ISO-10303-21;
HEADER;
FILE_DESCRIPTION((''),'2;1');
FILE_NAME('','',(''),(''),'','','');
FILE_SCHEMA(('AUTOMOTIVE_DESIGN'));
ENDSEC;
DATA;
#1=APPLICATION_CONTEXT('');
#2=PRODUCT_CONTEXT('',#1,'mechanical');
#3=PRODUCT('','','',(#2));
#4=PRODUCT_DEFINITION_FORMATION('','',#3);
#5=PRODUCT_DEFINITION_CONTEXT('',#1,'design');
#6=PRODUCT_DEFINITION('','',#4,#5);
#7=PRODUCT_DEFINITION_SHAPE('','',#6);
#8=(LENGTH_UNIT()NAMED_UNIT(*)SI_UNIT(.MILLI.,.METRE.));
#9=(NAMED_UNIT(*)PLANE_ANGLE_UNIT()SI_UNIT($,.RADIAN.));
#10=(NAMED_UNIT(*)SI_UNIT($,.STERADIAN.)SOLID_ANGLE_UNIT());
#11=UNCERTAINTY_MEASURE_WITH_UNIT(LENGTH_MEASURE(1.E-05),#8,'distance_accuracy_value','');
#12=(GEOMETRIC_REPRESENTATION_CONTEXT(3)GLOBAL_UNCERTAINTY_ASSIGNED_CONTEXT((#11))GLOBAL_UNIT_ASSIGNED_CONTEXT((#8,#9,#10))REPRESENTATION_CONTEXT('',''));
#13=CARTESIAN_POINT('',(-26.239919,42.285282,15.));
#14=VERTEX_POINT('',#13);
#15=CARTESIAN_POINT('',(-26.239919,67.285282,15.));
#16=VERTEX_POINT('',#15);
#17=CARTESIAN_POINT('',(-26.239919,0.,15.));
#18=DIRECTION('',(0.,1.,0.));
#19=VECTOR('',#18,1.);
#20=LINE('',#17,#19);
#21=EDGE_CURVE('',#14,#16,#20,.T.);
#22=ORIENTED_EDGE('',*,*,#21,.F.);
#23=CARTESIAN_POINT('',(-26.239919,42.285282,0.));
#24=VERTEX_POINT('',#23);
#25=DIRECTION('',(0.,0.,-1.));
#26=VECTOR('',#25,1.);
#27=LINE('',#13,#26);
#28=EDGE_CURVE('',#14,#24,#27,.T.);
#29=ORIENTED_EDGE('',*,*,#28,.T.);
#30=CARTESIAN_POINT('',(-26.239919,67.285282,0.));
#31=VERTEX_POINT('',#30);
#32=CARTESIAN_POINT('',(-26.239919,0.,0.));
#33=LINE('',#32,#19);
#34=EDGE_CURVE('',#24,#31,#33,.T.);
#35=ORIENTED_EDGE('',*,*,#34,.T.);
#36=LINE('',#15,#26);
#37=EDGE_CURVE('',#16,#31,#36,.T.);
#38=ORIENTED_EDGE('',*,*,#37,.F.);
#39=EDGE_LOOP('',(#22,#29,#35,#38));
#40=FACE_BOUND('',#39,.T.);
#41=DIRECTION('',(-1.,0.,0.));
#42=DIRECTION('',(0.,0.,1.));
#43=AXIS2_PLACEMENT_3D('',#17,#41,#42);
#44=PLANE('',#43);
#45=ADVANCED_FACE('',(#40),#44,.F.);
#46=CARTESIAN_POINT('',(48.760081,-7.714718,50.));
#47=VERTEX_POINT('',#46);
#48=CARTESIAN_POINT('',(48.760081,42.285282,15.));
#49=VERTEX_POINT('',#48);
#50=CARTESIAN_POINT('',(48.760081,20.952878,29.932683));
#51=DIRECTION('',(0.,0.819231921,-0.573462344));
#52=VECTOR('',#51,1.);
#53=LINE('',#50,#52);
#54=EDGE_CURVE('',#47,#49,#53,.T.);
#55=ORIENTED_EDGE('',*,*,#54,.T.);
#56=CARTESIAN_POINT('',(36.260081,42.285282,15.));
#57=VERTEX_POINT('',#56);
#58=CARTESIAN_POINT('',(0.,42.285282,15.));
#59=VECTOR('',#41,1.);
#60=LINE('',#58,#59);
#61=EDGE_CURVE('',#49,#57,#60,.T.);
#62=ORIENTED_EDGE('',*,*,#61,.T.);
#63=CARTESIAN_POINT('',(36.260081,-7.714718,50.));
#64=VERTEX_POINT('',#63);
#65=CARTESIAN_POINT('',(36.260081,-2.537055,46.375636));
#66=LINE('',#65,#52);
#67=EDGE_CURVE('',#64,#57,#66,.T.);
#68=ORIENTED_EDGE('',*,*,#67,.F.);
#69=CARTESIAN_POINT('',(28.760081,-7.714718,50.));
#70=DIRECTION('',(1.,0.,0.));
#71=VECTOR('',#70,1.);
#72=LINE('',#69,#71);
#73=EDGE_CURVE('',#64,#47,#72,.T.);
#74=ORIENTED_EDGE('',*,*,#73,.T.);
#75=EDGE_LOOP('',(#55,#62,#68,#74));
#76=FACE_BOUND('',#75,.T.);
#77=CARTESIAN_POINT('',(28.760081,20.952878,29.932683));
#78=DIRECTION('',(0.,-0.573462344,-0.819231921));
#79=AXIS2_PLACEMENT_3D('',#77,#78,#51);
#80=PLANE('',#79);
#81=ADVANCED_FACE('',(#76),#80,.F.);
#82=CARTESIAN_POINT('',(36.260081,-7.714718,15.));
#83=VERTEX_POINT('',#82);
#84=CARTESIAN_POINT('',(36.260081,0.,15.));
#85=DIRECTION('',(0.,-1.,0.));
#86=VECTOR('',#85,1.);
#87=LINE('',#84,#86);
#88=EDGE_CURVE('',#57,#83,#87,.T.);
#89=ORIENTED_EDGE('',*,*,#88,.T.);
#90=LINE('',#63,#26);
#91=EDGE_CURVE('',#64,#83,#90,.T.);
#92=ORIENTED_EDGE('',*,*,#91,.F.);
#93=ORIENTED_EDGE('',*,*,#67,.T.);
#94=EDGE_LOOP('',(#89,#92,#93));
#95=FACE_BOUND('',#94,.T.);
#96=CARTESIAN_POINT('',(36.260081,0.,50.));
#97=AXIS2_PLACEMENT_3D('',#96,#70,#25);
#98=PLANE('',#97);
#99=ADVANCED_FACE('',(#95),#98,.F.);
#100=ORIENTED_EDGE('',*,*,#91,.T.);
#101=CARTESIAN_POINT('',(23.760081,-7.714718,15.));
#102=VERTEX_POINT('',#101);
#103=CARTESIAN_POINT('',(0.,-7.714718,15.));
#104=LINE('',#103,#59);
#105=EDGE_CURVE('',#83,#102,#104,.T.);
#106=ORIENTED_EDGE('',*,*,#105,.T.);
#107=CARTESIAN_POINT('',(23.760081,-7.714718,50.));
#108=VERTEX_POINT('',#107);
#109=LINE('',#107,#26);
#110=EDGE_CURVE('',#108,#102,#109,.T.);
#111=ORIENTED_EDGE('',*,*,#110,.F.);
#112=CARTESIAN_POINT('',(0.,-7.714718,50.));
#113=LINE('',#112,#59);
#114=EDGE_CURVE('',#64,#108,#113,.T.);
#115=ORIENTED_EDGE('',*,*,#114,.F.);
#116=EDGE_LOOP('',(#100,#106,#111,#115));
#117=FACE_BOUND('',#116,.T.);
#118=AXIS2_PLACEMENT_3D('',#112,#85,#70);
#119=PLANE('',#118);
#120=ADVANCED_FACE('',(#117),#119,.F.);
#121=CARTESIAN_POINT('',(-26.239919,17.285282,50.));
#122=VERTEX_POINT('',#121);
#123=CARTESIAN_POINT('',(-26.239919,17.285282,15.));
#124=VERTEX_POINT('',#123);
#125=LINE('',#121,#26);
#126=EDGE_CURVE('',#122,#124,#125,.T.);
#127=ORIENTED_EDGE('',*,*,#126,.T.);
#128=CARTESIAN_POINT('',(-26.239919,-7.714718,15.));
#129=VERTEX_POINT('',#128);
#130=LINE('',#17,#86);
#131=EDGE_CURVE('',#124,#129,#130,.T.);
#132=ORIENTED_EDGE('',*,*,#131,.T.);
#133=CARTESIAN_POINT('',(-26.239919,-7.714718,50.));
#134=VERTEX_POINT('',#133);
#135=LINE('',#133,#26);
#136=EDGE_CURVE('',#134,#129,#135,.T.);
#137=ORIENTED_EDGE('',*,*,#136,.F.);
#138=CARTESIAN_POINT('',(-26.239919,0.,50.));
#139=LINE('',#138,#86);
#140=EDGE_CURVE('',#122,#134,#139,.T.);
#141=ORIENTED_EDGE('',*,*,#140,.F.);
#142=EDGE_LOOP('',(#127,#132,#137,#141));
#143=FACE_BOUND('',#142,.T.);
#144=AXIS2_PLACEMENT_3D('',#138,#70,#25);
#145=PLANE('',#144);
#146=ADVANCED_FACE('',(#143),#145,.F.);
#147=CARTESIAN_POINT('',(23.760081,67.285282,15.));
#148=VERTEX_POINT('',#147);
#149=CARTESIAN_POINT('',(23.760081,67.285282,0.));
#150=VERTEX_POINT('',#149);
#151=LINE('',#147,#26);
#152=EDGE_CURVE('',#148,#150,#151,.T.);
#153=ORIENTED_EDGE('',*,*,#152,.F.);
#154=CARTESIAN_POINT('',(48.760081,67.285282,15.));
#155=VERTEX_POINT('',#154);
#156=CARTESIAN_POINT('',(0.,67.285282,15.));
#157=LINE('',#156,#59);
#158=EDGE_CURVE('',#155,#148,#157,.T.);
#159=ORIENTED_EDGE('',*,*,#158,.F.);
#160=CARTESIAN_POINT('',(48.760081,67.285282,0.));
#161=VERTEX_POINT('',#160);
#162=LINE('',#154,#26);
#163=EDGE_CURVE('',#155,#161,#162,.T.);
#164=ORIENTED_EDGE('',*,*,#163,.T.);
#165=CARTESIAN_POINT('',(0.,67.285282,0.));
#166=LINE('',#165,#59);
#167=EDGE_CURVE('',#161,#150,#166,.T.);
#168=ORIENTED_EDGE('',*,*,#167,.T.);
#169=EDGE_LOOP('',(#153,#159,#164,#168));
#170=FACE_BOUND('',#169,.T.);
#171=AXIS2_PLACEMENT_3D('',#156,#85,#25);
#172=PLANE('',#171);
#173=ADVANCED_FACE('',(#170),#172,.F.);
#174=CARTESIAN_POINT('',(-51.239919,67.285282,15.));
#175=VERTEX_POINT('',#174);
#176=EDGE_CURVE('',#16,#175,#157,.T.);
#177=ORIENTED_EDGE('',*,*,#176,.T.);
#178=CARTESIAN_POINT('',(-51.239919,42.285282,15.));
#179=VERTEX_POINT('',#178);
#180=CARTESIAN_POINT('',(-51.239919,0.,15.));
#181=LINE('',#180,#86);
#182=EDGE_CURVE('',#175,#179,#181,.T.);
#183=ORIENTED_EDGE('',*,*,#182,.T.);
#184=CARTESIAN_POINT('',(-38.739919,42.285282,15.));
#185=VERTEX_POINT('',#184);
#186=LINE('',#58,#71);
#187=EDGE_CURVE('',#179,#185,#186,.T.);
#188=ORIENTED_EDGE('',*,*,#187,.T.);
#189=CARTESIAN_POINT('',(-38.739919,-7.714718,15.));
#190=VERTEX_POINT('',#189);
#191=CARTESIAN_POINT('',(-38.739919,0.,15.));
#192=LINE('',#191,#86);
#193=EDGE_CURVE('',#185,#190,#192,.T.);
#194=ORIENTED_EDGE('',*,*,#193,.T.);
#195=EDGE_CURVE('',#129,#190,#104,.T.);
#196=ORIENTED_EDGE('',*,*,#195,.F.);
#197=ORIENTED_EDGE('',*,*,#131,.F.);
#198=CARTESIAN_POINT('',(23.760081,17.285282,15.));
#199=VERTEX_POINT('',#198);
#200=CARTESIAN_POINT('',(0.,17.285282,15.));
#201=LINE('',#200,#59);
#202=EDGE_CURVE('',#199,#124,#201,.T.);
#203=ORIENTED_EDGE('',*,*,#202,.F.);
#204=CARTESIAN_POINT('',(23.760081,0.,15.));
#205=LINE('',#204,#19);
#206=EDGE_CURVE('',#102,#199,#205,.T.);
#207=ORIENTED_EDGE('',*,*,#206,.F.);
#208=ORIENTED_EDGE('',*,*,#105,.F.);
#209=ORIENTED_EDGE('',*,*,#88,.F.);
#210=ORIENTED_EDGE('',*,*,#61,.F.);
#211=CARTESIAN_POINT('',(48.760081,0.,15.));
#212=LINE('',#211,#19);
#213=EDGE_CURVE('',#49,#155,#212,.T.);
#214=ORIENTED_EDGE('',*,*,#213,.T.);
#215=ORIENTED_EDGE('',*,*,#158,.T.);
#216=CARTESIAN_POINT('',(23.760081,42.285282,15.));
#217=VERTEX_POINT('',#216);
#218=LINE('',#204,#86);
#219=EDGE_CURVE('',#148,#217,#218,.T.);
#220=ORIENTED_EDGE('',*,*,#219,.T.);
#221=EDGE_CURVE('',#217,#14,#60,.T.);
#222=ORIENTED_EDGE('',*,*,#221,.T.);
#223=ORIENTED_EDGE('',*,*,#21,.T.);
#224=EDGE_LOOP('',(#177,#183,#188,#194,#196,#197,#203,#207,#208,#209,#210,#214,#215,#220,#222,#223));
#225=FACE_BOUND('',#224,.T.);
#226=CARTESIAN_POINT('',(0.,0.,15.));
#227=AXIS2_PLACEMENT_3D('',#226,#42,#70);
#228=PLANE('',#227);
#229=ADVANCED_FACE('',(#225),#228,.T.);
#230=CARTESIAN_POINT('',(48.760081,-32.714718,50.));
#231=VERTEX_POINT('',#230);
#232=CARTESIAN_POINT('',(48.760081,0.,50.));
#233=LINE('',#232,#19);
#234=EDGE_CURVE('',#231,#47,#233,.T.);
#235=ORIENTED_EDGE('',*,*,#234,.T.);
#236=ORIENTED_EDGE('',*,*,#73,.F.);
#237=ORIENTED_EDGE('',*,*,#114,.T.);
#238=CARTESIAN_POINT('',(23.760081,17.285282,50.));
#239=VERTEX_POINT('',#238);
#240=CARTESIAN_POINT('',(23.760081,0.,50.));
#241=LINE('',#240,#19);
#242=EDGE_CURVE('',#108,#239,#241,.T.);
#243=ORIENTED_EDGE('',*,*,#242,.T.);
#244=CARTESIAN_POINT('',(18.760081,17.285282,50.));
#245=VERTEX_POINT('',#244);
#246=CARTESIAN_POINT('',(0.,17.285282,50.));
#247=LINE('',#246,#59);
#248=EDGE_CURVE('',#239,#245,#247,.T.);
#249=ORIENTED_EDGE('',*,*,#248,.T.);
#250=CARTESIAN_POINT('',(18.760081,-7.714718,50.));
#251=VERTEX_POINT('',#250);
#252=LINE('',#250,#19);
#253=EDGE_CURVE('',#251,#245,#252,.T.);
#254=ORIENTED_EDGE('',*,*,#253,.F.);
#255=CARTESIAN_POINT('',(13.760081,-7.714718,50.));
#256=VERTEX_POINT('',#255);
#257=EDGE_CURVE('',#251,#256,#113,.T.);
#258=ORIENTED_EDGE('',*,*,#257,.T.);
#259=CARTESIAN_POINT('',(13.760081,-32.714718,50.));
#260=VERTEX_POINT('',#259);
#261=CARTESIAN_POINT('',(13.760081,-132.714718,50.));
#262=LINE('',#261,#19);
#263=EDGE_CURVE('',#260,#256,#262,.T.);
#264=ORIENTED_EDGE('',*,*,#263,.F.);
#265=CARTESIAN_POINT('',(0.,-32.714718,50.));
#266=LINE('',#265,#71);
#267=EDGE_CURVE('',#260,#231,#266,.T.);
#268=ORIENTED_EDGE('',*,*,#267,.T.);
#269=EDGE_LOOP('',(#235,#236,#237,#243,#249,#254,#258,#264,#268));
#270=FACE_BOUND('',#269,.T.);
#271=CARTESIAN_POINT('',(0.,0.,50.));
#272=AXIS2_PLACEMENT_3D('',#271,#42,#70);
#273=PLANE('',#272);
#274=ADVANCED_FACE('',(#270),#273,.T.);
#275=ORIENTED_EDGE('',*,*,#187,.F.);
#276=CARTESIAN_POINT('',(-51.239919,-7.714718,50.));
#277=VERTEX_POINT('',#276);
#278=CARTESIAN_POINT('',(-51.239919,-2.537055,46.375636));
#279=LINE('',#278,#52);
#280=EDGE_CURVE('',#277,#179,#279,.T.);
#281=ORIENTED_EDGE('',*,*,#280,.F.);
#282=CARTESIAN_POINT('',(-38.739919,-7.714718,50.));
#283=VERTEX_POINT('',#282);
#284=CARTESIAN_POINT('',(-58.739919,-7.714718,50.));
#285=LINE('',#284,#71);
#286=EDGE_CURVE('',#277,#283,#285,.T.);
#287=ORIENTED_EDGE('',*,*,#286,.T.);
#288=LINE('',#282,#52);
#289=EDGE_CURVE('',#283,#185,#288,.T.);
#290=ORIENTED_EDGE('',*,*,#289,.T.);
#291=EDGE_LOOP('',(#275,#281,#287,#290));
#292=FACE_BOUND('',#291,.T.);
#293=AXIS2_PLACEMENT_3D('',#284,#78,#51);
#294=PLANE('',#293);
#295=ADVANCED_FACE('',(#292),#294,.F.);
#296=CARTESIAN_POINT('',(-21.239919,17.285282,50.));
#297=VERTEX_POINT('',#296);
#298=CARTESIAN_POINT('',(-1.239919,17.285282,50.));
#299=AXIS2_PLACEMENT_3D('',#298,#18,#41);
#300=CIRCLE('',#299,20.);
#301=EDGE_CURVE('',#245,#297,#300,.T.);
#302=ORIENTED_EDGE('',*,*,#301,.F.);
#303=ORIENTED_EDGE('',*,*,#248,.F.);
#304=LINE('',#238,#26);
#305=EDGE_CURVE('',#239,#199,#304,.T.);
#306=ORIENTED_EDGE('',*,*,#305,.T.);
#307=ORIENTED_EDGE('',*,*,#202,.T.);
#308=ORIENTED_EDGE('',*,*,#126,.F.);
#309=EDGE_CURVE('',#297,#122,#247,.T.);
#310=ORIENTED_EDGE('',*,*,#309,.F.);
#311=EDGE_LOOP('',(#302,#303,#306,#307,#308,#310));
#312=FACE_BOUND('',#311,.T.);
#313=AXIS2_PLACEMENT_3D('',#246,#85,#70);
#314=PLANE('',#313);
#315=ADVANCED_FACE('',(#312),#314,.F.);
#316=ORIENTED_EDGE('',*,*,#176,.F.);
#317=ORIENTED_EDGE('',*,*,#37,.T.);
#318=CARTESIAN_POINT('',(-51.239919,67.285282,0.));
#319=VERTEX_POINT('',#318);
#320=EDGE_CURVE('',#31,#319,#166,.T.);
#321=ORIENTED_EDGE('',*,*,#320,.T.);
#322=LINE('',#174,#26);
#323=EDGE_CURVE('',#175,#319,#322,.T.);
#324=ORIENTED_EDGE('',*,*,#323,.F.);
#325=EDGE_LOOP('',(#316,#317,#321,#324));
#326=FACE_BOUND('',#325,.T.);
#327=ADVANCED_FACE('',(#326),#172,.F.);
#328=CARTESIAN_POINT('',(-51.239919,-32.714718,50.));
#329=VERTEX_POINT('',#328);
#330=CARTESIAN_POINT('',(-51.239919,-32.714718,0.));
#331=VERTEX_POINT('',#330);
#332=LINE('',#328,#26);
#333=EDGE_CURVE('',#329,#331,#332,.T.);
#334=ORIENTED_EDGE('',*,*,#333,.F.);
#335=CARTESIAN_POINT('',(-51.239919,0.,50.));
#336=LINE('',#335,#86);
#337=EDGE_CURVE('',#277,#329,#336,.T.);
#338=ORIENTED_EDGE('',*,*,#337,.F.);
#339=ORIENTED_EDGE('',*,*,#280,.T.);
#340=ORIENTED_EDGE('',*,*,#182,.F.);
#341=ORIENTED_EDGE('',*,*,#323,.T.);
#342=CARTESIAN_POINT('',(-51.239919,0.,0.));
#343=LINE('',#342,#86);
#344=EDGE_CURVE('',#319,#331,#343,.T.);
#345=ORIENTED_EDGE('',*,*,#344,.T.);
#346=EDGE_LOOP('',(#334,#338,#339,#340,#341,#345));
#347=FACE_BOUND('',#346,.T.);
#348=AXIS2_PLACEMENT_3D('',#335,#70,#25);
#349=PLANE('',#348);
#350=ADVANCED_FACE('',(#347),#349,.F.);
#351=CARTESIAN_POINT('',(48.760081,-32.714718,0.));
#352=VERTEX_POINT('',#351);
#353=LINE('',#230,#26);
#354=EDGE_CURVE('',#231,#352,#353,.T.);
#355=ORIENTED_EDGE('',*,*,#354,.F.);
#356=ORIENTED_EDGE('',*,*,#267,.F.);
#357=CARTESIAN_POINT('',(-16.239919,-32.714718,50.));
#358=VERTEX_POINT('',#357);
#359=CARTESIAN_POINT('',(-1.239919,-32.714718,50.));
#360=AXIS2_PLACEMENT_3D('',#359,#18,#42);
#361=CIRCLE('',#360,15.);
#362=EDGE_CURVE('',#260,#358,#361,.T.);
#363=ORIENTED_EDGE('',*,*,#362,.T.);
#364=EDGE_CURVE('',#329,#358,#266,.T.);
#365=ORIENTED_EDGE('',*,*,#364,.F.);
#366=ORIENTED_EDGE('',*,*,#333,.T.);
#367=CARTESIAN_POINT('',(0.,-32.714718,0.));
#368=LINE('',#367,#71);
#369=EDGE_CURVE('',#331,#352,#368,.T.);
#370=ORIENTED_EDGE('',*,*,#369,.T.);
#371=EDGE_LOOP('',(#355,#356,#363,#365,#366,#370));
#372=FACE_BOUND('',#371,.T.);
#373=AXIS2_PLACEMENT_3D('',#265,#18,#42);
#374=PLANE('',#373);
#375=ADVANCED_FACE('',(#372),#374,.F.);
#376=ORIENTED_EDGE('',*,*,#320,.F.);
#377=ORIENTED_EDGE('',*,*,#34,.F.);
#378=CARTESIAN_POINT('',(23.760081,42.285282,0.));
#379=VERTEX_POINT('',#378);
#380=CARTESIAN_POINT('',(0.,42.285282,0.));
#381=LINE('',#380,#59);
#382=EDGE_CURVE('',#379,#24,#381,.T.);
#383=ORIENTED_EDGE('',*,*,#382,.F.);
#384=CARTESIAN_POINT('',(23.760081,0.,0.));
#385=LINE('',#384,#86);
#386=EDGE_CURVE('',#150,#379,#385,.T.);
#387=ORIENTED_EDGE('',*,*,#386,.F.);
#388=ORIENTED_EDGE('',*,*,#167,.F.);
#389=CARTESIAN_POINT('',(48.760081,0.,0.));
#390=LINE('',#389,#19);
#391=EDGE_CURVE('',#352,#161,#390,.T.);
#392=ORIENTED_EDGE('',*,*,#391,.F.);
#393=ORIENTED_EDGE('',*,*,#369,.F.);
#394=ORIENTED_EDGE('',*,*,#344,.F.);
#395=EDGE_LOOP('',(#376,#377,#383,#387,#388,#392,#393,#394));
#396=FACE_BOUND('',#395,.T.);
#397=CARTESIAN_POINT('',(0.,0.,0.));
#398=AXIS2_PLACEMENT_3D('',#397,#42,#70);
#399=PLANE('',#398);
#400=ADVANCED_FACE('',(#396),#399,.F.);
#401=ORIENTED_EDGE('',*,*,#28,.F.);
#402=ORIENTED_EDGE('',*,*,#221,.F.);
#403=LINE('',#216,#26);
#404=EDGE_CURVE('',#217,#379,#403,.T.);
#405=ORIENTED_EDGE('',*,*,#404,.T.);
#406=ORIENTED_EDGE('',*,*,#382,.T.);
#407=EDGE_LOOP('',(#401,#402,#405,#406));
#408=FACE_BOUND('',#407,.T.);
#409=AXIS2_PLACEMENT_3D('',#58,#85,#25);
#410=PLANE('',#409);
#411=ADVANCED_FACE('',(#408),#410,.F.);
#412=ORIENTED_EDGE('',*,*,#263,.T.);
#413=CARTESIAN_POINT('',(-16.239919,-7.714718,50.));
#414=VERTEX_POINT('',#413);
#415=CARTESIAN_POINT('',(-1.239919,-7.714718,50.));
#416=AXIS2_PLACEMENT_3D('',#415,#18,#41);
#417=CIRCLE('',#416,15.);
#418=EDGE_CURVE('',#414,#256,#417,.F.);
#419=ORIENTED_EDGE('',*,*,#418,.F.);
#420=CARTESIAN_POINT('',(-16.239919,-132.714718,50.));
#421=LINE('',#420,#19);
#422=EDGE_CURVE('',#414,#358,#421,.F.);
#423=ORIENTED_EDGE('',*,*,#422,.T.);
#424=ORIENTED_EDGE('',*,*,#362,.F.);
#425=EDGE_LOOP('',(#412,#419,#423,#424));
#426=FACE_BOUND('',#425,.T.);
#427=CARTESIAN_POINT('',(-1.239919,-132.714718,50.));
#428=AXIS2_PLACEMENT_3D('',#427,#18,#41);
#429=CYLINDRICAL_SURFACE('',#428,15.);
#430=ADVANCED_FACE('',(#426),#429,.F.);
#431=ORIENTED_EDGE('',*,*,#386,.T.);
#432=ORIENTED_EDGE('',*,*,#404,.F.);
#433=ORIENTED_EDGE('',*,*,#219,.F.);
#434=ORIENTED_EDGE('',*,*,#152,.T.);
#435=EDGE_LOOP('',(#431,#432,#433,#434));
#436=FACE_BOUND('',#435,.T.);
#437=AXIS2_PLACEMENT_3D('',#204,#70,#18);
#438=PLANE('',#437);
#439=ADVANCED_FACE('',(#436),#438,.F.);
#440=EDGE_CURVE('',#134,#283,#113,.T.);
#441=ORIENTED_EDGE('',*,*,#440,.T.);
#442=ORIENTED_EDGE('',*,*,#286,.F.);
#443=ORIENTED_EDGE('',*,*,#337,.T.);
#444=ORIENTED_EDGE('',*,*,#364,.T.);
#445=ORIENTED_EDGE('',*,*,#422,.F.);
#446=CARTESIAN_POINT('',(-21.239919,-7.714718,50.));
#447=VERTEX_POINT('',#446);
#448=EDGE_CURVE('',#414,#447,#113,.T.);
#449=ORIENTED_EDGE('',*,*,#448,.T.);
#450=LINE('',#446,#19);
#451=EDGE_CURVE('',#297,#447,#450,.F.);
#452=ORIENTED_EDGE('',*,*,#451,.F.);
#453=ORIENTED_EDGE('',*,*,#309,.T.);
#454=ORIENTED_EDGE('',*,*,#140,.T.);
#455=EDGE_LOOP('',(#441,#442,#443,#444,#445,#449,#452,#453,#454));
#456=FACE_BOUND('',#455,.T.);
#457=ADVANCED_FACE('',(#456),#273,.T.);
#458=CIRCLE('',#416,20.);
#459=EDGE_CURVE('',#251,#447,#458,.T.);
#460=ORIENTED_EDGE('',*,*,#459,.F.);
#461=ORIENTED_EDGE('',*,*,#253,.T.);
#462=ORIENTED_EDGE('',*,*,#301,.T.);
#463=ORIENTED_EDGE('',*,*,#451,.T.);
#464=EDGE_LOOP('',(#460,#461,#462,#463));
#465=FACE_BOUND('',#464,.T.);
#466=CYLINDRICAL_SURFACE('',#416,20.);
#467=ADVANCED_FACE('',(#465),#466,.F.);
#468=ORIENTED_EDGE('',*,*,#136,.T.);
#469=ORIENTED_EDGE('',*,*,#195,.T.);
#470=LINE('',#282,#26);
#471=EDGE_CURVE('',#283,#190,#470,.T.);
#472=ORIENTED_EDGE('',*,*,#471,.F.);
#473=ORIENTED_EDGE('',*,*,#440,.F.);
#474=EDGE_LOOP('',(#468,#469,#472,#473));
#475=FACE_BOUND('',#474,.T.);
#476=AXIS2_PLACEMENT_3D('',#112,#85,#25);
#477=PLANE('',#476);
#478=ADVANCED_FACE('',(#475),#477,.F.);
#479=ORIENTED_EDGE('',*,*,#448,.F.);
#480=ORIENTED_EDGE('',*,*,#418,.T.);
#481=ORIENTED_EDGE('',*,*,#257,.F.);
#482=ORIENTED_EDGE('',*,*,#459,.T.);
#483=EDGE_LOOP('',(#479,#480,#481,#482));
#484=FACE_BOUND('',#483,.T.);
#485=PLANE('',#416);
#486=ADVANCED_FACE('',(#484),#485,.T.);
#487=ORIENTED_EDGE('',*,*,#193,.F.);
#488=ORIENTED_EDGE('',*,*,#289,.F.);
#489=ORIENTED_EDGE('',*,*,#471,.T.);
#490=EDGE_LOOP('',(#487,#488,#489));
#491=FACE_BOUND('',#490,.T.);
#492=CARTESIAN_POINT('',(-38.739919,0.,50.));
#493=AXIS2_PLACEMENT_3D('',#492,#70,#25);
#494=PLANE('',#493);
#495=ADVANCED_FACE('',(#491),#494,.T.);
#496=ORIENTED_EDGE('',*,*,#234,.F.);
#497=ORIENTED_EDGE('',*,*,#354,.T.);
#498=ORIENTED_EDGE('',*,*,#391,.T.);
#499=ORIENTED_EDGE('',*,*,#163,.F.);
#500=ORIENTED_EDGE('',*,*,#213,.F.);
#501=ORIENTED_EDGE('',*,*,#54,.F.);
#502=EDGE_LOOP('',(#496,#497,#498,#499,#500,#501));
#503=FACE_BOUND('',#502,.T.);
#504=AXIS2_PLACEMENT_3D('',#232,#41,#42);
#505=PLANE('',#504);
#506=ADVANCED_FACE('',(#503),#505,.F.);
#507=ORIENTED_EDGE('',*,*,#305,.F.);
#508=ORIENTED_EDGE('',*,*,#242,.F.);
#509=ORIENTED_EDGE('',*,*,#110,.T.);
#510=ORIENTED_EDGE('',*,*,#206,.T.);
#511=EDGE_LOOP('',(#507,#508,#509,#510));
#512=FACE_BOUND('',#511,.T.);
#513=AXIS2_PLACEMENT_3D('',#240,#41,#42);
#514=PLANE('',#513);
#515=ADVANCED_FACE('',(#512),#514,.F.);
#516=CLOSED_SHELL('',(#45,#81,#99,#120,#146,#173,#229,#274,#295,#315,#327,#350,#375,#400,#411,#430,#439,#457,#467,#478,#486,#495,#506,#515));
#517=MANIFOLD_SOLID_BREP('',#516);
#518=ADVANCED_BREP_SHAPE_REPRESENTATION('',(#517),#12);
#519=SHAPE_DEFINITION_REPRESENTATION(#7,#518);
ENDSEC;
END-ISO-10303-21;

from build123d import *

# Parameters (mm, degrees)
BOSS_EXTRUDE1_DEPTH = 50
BOSS_EXTRUDE2_DEPTH = 15
SKETCH3_R           = 15
CUT_EXTRUDE3_DEPTH  = 150
SKETCH3_3_R         = 20
SKETCH3_3_R_2       = 15
CUT_EXTRUDE4_DEPTH  = 25
CUT_EXTRUDE7_DEPTH  = 20
CUT_EXTRUDE8_DEPTH  = 20


with BuildPart() as part:
    # Sketch1 → Boss-Extrude1 (new body)
    with BuildSketch(Plane.XY):
        Polygon((-51.239919355, -32.714717742), (48.760080645, -32.714717742), (48.760080645, 42.285282258), (36.260080645, 42.285282258), (36.260080645, -7.714717742), (23.760080645, -7.714717742), (23.760080645, 17.285282258), (-26.239919355, 17.285282258), (-26.239919355, -7.714717742), (-38.739919355, -7.714717742), (-38.739919355, 42.285282258), (-51.239919355, 42.285282258), align=None)
    extrude(amount=BOSS_EXTRUDE1_DEPTH)

    # Sketch1<3> → Boss-Extrude2 (add)
    with BuildSketch(Plane.XY):
        Polygon((-38.739919355, 42.285282258), (-38.739919355, -7.714717742), (-26.239919355, -7.714717742), (-26.239919355, 17.285282258), (23.760080645, 17.285282258), (23.760080645, -7.714717742), (36.260080645, -7.714717742), (36.260080645, 42.285282258), (48.760080645, 42.285282258), (48.760080645, 67.285282258), (23.760080645, 67.285282258), (23.760080645, 42.285282258), (-26.239919355, 42.285282258), (-26.239919355, 67.285282258), (-51.239919355, 67.285282258), (-51.239919355, 42.285282258), align=None)
    extrude(amount=BOSS_EXTRUDE2_DEPTH)

    # Sketch3 → Cut-Extrude3 (cut)
    with BuildSketch(Plane(origin=(0, 17.285282258, 0), x_dir=(1, 0, 0), z_dir=(0, 1, 0))):
        with Locations((-1.239919355, -50)):
            Circle(SKETCH3_R)
    extrude(amount=-CUT_EXTRUDE3_DEPTH, mode=Mode.SUBTRACT)

    # Sketch3<3> → Cut-Extrude4 (cut)
    with BuildSketch(Plane(origin=(0, 17.285282258, 0), x_dir=(1, 0, 0), z_dir=(0, 1, 0))):
        with Locations((-1.239919355, -50)):
            Circle(SKETCH3_3_R)
        with Locations((-1.239919355, -50)):
            Circle(SKETCH3_3_R_2, mode=Mode.SUBTRACT)
    extrude(amount=-CUT_EXTRUDE4_DEPTH, mode=Mode.SUBTRACT)

    # Sketch6 → Cut-Extrude7 (cut)
    with BuildSketch(Plane(origin=(48.760080645, 0, 0), x_dir=(0, 0, -1), z_dir=(1, 0, 0))):
        Polygon((-50, 42.285282258), (-50, -7.714717742), (-15, 42.285282258), align=None)
    extrude(amount=-CUT_EXTRUDE7_DEPTH, mode=Mode.SUBTRACT)

    # Sketch7 → Cut-Extrude8 (cut)
    with BuildSketch(Plane(origin=(-38.739919355, 0, 0), x_dir=(0, 0, -1), z_dir=(1, 0, 0))):
        Polygon((-50, -7.714717742), (-15, 42.285282258), (-50, 42.285282258), align=None)
    extrude(amount=-CUT_EXTRUDE8_DEPTH, mode=Mode.SUBTRACT)


solid = part.part
